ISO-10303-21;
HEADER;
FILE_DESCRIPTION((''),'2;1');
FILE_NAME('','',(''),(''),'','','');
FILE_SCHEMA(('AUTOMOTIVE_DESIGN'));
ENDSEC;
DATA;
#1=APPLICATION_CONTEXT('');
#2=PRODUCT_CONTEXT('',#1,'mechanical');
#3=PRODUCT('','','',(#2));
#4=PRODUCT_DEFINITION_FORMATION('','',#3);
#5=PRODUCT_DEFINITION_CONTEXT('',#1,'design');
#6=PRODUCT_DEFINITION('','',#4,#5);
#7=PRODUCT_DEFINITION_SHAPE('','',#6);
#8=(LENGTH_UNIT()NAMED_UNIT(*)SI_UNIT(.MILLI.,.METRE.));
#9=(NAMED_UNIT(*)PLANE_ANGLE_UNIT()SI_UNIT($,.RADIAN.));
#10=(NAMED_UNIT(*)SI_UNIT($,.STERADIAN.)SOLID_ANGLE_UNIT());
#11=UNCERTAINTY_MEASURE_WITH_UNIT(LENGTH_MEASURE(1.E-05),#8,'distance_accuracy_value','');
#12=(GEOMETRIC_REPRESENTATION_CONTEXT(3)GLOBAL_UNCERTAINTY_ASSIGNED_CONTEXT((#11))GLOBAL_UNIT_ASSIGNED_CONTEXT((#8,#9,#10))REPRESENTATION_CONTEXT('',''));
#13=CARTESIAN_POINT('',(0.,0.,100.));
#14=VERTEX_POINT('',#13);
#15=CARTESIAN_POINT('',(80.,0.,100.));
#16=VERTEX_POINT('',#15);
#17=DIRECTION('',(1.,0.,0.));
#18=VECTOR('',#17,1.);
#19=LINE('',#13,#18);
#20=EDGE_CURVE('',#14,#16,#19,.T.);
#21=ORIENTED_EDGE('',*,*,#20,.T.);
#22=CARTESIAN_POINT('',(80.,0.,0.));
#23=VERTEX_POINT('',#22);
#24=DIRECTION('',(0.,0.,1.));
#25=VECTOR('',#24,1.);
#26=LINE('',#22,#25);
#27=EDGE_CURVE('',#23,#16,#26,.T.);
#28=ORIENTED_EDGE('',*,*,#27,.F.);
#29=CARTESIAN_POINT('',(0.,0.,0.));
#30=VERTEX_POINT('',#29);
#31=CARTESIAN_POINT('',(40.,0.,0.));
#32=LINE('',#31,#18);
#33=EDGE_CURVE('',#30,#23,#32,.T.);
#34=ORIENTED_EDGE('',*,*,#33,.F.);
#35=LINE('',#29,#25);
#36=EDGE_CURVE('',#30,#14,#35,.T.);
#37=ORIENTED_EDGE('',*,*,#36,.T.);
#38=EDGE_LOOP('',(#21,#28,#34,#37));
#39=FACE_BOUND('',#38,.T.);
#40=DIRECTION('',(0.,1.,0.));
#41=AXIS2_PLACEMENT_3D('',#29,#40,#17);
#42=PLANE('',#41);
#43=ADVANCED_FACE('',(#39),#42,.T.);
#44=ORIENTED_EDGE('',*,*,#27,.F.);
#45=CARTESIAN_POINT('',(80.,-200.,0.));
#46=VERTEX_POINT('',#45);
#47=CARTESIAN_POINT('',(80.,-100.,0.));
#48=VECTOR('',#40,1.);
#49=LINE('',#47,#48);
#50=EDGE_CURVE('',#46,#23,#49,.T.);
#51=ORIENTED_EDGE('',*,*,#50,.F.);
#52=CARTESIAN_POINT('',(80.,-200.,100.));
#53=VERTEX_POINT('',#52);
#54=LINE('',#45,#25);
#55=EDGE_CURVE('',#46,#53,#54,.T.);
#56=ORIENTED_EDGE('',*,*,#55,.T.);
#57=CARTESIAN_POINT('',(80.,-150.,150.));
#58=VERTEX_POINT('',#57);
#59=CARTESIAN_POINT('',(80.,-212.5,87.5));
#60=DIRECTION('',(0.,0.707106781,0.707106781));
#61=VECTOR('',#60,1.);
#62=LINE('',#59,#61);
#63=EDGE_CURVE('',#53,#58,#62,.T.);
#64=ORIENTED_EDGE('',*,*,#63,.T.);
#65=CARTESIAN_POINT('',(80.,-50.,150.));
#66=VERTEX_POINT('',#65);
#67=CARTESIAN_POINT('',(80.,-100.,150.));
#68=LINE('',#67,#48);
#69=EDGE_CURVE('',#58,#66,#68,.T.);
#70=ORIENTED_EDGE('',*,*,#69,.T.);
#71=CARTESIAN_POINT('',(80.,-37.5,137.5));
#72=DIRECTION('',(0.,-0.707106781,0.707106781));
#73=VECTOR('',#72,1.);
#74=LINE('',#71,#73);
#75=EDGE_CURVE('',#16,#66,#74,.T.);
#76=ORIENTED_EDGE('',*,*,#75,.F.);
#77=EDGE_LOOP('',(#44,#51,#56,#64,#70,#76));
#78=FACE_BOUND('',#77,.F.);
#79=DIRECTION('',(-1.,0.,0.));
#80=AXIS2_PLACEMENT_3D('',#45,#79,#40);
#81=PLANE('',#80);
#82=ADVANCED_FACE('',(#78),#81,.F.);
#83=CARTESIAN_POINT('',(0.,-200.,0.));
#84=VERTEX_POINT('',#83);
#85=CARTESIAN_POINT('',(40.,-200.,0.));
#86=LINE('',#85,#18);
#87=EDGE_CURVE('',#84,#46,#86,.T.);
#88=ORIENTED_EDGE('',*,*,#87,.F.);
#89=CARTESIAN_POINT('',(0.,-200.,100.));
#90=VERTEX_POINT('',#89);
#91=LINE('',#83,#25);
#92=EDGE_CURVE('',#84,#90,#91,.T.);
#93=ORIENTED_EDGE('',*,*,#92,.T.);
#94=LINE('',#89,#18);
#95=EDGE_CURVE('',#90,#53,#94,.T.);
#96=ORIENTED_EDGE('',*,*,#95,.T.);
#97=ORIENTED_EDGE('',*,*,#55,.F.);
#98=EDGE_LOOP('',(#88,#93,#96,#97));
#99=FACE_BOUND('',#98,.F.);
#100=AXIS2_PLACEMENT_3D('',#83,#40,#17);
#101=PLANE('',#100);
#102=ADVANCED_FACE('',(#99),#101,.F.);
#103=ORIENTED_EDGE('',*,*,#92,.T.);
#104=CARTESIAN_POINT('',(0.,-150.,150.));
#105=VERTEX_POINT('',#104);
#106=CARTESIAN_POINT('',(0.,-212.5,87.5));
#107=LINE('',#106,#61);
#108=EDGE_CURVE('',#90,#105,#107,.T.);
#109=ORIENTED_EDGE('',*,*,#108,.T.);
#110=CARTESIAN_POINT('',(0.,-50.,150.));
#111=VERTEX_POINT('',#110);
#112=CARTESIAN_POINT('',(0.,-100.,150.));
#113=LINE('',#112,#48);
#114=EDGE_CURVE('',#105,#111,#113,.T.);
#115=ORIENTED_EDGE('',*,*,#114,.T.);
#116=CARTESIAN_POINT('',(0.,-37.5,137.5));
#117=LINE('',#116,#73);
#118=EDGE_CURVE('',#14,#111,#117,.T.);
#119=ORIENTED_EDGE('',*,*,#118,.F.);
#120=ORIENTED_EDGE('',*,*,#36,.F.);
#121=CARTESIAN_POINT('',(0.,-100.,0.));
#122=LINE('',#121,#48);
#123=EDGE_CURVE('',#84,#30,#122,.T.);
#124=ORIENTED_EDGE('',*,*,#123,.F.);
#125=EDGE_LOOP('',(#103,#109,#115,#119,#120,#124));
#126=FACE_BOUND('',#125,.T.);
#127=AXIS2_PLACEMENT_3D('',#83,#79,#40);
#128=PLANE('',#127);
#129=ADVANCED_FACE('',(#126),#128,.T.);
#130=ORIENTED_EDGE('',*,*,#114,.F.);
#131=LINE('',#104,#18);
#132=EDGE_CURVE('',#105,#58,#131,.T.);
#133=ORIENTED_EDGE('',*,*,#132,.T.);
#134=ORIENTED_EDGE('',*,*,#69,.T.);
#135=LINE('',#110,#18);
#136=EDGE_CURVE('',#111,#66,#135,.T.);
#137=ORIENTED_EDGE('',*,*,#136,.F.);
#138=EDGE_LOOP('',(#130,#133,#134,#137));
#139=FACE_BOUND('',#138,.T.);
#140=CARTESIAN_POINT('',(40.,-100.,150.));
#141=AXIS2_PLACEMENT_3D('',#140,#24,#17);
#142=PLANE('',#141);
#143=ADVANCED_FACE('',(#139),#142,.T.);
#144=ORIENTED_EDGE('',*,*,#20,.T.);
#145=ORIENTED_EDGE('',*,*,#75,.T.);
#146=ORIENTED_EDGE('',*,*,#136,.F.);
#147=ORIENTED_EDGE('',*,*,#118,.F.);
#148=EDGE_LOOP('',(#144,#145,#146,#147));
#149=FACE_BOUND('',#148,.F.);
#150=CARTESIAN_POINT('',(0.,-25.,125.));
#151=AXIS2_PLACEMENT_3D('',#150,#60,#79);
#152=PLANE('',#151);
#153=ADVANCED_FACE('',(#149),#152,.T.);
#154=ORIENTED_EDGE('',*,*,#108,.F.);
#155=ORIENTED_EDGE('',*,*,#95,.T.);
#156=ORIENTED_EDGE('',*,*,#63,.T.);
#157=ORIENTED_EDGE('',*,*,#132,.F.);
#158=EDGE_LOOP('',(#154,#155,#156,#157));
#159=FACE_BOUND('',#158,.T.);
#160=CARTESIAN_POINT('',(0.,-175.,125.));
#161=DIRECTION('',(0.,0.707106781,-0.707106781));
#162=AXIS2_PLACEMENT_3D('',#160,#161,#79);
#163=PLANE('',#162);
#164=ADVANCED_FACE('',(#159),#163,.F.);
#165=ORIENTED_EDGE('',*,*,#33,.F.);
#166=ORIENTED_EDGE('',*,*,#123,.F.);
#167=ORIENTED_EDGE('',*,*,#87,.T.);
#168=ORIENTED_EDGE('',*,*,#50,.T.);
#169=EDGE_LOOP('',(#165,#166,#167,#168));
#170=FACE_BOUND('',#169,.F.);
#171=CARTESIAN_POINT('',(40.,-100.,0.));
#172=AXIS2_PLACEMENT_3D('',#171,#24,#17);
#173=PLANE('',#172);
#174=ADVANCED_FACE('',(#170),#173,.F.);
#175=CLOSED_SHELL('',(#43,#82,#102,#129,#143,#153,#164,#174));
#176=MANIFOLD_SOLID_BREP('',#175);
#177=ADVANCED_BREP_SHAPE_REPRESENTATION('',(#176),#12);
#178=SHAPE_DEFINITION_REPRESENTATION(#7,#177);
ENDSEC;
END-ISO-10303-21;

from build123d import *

# Parameters (mm, degrees)
F0_W     = 80
F0_H     = 200
F1_DEPTH = 150
F2_SIZE  = 50


with BuildPart() as f1:
    # F0 (on Top) → F1 (new body)
    with BuildSketch(Plane.XY):
        with Locations((40, -100)):
            Rectangle(F0_W, F0_H)
    extrude(amount=F1_DEPTH)

    # F2
    f2_edges = [f1.edges().sort_by_distance(p)[0] for p in [
        (40, 0, 150),
        (40, -200, 150),
    ]]
    chamfer(f2_edges, length=F2_SIZE)


solid = f1.part
